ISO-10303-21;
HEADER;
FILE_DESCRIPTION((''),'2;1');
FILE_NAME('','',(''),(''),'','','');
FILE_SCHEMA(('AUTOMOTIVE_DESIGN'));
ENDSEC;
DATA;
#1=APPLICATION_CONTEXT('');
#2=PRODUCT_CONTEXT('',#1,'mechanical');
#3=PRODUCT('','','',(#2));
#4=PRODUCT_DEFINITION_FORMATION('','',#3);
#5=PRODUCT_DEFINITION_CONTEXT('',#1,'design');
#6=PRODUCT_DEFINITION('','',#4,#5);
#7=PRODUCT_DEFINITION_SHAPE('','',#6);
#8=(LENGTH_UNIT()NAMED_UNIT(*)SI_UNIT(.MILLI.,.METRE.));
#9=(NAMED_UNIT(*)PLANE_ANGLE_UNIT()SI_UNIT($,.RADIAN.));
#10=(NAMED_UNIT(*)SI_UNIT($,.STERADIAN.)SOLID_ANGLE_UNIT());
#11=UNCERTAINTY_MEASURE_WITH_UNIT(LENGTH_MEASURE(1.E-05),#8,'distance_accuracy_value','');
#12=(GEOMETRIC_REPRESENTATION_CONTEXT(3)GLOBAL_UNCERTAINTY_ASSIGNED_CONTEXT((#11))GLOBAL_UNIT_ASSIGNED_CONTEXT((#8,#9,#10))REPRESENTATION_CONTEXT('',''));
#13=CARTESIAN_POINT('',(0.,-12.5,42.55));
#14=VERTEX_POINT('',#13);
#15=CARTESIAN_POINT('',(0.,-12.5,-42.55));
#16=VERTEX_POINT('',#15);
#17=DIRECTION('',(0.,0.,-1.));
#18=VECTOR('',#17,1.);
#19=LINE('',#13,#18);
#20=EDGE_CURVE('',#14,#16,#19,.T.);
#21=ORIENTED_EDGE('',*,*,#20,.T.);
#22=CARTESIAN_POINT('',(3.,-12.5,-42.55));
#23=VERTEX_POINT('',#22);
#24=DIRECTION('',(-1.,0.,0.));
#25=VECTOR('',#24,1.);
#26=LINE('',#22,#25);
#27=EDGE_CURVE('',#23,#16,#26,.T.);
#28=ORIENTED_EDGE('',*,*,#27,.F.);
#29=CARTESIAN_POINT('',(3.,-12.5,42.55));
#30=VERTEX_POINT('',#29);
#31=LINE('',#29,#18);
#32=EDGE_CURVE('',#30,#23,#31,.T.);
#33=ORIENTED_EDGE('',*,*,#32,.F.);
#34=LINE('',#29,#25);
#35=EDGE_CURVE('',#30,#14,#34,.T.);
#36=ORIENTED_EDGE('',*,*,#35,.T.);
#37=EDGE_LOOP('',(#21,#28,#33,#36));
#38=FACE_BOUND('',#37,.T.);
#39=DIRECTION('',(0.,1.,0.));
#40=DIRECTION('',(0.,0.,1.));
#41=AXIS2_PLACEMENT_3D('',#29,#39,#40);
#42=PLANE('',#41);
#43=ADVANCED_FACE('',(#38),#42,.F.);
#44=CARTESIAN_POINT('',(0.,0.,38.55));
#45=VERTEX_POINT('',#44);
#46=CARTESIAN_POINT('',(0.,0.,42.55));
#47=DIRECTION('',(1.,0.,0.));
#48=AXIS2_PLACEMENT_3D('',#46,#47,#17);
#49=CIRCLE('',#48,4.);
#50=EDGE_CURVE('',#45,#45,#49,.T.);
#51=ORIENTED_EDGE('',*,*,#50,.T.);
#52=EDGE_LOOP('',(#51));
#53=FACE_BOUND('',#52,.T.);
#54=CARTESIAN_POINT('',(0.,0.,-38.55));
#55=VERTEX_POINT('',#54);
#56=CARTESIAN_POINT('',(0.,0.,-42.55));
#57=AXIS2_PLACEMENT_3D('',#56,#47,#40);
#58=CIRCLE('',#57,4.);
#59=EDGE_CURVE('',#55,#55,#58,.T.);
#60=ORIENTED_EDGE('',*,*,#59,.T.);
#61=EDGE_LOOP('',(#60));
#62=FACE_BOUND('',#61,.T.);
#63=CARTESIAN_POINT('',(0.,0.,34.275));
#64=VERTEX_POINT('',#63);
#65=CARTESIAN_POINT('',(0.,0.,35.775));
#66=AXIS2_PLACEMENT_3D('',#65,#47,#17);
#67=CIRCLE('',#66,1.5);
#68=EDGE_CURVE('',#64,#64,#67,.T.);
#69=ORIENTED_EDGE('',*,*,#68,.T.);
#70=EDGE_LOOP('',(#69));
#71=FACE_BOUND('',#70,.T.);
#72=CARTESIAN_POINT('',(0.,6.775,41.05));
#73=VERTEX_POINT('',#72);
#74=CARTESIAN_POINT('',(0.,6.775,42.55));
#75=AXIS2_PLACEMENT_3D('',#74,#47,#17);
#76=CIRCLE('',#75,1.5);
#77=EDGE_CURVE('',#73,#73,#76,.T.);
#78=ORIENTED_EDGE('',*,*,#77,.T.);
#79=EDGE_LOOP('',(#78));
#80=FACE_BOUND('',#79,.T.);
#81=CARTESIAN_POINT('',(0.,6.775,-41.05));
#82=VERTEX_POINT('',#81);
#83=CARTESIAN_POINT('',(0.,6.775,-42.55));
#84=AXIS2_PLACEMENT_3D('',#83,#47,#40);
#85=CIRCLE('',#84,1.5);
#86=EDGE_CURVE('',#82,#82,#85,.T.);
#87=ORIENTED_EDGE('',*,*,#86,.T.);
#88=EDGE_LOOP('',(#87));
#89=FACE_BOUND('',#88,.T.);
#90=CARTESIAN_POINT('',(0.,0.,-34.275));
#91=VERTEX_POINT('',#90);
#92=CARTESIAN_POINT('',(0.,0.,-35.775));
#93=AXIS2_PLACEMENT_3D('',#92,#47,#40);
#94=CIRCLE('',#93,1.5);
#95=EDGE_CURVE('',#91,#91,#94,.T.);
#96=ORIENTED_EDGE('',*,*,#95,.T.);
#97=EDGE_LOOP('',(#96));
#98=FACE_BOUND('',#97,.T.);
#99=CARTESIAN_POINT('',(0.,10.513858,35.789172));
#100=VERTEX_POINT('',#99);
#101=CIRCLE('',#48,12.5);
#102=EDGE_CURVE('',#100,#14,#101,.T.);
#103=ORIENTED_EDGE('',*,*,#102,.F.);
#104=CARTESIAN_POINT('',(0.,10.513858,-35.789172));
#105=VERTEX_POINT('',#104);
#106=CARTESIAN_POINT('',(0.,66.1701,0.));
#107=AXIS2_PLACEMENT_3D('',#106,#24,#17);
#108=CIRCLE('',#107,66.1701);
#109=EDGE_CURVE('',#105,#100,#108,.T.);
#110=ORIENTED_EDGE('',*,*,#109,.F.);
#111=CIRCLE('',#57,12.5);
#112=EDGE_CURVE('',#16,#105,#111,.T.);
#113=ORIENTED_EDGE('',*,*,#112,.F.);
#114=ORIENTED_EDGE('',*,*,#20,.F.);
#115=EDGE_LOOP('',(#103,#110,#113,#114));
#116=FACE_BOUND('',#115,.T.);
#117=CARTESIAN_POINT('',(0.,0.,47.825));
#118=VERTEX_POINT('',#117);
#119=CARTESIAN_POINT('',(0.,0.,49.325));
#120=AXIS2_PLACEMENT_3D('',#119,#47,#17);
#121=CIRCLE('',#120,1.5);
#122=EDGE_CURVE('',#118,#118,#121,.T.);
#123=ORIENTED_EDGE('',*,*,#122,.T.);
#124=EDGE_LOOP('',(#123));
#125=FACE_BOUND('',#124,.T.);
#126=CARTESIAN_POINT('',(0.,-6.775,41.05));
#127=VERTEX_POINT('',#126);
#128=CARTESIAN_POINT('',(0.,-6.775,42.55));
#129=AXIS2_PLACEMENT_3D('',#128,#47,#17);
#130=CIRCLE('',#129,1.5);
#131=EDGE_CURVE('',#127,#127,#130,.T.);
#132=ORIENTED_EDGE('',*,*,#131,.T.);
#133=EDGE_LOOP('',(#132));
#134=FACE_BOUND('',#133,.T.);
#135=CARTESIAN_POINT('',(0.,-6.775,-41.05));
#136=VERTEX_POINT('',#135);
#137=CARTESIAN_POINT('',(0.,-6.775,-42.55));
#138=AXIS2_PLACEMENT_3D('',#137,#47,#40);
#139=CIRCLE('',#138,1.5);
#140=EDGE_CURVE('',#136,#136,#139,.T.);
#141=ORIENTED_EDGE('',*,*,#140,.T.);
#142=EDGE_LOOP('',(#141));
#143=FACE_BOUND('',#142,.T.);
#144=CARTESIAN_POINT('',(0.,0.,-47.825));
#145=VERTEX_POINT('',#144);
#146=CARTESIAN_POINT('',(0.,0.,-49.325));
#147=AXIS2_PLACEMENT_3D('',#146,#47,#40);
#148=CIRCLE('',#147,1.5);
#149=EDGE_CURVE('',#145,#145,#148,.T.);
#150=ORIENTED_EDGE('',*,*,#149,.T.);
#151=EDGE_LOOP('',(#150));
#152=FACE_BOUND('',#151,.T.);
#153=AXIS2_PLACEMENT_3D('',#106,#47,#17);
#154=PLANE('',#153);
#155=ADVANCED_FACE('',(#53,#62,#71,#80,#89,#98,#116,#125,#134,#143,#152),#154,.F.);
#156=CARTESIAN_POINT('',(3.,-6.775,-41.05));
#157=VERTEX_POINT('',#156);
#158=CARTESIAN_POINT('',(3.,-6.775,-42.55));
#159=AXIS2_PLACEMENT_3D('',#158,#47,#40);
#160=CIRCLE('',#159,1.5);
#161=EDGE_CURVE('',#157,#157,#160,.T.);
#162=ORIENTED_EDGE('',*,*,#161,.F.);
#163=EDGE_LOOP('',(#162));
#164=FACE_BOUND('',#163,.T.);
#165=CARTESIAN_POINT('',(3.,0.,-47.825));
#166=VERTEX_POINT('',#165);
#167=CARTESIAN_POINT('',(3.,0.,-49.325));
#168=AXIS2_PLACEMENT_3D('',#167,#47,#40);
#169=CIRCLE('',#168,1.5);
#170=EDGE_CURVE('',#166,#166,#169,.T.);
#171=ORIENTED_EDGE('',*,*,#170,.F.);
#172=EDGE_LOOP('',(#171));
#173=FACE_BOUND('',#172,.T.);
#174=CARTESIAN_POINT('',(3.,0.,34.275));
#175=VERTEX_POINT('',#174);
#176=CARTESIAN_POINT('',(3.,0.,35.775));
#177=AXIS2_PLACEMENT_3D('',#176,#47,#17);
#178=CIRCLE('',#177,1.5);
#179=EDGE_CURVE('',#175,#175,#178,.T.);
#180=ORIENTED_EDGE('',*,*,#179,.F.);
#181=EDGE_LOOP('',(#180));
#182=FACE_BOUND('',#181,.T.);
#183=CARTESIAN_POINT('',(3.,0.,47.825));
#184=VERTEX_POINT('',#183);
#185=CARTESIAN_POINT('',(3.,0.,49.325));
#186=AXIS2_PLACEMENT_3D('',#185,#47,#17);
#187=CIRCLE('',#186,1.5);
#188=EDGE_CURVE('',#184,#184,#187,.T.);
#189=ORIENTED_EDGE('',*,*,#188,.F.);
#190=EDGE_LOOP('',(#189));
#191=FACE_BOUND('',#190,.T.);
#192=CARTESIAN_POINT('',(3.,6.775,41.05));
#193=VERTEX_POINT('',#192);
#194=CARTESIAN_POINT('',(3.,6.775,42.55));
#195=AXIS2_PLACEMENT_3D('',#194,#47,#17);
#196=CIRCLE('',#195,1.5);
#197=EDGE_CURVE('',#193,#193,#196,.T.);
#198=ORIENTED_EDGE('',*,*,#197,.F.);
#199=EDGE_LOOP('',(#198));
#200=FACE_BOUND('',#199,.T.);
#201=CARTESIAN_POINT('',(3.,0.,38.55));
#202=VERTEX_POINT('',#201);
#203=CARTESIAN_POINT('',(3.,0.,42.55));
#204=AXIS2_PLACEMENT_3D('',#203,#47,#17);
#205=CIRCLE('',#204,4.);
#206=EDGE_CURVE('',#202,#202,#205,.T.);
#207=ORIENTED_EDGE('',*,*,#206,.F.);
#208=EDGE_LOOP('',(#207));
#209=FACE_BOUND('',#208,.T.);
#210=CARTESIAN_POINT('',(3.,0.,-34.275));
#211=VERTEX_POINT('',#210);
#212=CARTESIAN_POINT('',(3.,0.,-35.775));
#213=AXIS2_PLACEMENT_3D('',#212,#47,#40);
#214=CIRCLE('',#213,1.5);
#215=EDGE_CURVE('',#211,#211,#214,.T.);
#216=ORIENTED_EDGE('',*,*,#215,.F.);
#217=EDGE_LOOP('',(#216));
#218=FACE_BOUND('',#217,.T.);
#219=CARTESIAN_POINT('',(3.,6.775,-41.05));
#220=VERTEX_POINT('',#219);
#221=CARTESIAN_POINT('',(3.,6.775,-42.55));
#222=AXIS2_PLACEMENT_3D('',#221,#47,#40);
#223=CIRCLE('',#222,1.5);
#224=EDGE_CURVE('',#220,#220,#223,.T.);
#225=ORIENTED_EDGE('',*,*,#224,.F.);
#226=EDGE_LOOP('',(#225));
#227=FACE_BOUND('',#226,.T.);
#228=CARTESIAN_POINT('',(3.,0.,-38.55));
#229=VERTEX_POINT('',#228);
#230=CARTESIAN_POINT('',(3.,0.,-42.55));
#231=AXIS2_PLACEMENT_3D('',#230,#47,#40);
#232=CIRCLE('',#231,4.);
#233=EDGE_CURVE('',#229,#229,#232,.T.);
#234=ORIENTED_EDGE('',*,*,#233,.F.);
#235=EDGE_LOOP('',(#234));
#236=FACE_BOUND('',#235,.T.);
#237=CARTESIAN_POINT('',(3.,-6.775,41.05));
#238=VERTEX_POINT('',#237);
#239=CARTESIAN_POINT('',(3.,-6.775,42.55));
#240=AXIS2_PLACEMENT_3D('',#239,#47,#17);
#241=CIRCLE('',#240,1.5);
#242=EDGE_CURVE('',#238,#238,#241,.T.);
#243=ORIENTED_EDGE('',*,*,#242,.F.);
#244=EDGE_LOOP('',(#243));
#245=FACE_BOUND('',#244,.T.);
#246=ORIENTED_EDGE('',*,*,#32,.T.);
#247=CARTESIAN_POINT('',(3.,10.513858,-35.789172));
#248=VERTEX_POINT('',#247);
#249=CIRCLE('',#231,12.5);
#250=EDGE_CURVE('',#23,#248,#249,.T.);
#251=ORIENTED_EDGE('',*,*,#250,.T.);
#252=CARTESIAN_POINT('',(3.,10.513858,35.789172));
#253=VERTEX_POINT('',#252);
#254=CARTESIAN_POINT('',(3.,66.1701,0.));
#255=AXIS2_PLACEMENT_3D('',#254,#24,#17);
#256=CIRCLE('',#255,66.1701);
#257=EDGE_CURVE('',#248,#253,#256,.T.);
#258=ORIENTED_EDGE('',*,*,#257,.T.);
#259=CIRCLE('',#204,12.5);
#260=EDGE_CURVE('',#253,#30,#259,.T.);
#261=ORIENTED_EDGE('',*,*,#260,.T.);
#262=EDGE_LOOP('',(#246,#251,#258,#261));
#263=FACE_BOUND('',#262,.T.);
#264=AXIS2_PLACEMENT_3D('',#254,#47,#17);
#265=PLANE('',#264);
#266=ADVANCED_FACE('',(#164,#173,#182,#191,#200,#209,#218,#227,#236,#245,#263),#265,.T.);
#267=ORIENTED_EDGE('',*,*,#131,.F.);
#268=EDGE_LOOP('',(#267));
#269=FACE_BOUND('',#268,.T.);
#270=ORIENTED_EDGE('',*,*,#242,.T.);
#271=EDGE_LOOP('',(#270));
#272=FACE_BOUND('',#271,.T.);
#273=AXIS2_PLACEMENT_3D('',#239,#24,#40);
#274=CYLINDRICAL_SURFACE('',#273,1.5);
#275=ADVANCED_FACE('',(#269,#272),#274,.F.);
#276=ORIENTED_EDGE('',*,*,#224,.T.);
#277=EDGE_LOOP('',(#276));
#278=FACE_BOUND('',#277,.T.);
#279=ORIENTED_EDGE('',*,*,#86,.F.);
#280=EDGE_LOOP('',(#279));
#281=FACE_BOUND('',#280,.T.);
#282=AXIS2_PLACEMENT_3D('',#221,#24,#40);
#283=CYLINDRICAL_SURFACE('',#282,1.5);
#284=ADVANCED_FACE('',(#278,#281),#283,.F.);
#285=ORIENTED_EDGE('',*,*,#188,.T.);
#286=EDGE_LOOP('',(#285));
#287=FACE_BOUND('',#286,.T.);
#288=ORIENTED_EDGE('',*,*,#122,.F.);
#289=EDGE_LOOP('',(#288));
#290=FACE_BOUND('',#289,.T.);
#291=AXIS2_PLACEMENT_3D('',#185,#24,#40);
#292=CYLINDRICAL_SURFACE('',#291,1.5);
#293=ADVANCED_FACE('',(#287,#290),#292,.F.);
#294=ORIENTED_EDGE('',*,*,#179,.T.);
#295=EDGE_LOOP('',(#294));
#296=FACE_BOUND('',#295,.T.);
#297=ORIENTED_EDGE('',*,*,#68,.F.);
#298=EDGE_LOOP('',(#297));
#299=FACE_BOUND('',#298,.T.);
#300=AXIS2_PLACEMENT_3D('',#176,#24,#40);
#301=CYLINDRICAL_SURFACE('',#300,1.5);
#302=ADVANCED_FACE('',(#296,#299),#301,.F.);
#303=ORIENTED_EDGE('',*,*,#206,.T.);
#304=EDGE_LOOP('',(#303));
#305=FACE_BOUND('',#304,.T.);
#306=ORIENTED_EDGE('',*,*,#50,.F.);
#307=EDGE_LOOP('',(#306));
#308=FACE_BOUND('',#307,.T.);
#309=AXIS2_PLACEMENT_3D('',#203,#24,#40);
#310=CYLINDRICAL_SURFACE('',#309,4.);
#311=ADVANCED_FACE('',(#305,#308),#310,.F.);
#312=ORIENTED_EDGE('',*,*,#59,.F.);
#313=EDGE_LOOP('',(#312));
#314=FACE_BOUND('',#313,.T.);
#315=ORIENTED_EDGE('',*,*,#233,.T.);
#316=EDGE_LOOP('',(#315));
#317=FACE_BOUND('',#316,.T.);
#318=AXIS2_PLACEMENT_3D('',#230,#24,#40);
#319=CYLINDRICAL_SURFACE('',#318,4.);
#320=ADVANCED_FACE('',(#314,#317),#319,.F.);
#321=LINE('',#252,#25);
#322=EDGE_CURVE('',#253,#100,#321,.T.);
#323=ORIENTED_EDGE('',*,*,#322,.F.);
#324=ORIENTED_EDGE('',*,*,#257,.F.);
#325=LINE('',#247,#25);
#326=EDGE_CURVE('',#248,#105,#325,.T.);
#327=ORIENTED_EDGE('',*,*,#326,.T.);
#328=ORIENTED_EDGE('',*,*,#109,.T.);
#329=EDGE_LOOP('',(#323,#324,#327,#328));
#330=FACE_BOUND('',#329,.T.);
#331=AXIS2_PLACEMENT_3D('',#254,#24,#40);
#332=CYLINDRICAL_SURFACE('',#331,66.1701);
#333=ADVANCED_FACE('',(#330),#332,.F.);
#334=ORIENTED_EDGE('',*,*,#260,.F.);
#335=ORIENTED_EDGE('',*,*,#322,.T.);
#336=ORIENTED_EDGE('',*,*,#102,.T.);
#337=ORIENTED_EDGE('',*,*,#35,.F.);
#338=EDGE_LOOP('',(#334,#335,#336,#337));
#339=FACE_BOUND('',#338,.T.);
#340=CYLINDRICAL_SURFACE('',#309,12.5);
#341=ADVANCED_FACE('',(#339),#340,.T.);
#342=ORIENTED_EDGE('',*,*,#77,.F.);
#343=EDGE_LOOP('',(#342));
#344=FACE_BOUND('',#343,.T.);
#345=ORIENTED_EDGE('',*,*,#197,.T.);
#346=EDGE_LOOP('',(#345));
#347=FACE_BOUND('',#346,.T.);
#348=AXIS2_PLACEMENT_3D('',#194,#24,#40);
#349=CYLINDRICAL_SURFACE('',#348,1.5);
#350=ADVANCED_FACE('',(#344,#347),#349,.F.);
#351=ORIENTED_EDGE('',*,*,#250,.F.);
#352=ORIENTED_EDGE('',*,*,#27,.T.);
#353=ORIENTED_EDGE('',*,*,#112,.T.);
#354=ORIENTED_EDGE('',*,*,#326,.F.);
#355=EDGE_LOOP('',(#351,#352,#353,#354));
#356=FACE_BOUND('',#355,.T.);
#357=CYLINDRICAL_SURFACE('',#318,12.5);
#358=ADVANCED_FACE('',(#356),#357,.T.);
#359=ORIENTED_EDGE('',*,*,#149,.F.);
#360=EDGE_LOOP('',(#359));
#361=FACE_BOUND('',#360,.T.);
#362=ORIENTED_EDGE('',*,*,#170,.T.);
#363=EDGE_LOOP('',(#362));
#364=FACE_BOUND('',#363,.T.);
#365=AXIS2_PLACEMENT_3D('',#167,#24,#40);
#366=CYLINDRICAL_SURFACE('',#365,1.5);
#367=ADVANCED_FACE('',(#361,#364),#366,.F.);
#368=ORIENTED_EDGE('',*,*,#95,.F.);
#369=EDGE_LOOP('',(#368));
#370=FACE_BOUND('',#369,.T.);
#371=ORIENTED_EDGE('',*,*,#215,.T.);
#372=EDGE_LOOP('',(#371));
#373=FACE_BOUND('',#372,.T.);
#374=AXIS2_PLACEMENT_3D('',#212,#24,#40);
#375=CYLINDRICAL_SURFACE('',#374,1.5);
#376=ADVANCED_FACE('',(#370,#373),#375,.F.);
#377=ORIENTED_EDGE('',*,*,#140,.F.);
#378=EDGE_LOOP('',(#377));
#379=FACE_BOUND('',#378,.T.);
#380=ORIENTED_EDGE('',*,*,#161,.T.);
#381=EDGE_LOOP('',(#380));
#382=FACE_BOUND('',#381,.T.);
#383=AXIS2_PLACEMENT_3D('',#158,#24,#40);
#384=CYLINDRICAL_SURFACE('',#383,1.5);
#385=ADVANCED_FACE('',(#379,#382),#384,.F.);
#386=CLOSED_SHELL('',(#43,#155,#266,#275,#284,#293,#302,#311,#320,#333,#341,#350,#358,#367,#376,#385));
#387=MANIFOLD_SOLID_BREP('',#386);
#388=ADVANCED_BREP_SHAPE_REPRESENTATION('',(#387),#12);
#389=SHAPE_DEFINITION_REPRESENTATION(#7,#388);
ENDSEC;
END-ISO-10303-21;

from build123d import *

# Parameters (mm, degrees)
SKETCH1_R           = 4
SKETCH1_R_2         = 1.5
BOSS_EXTRUDE1_DEPTH = 3


with BuildPart() as part:
    # Sketch1 → Boss-Extrude1 (new body)
    with BuildSketch(Plane(origin=(0, 0, 0), x_dir=(0, 0, -1), z_dir=(1, 0, 0))):
        with BuildLine():
            Line((-42.55, -12.5), (42.55, -12.5))
            ThreePointArc((42.55, -12.5), (54.543190221, 3.523263872), (35.789172189, 10.51385787))
            ThreePointArc((35.789172189, 10.51385787), (0, 0), (-35.789172189, 10.51385787))
            ThreePointArc((-35.789172189, 10.51385787), (-54.543190221, 3.523263872), (-42.55, -12.5))
        make_face()
        with Locations((-42.55, 0)):
            Circle(SKETCH1_R, mode=Mode.SUBTRACT)
        with Locations((-35.775, 0)):
            Circle(SKETCH1_R_2, mode=Mode.SUBTRACT)
        with Locations((-42.55, -6.775)):
            Circle(SKETCH1_R_2, mode=Mode.SUBTRACT)
        with Locations((-49.325, 0)):
            Circle(SKETCH1_R_2, mode=Mode.SUBTRACT)
        with Locations((-42.55, 6.775)):
            Circle(SKETCH1_R_2, mode=Mode.SUBTRACT)
        with Locations(Location((42.55, 6.775, 0), (0, 0, 180))):
            Circle(SKETCH1_R_2, mode=Mode.SUBTRACT)
        with Locations(Location((49.325, 0, 0), (0, 0, 180))):
            Circle(SKETCH1_R_2, mode=Mode.SUBTRACT)
        with Locations(Location((42.55, -6.775, 0), (0, 0, 180))):
            Circle(SKETCH1_R_2, mode=Mode.SUBTRACT)
        with Locations(Location((35.775, 0, 0), (0, 0, 180))):
            Circle(SKETCH1_R_2, mode=Mode.SUBTRACT)
        with Locations(Location((42.55, 0, 0), (0, 0, 180))):
            Circle(SKETCH1_R, mode=Mode.SUBTRACT)
    extrude(amount=BOSS_EXTRUDE1_DEPTH)


solid = part.part
